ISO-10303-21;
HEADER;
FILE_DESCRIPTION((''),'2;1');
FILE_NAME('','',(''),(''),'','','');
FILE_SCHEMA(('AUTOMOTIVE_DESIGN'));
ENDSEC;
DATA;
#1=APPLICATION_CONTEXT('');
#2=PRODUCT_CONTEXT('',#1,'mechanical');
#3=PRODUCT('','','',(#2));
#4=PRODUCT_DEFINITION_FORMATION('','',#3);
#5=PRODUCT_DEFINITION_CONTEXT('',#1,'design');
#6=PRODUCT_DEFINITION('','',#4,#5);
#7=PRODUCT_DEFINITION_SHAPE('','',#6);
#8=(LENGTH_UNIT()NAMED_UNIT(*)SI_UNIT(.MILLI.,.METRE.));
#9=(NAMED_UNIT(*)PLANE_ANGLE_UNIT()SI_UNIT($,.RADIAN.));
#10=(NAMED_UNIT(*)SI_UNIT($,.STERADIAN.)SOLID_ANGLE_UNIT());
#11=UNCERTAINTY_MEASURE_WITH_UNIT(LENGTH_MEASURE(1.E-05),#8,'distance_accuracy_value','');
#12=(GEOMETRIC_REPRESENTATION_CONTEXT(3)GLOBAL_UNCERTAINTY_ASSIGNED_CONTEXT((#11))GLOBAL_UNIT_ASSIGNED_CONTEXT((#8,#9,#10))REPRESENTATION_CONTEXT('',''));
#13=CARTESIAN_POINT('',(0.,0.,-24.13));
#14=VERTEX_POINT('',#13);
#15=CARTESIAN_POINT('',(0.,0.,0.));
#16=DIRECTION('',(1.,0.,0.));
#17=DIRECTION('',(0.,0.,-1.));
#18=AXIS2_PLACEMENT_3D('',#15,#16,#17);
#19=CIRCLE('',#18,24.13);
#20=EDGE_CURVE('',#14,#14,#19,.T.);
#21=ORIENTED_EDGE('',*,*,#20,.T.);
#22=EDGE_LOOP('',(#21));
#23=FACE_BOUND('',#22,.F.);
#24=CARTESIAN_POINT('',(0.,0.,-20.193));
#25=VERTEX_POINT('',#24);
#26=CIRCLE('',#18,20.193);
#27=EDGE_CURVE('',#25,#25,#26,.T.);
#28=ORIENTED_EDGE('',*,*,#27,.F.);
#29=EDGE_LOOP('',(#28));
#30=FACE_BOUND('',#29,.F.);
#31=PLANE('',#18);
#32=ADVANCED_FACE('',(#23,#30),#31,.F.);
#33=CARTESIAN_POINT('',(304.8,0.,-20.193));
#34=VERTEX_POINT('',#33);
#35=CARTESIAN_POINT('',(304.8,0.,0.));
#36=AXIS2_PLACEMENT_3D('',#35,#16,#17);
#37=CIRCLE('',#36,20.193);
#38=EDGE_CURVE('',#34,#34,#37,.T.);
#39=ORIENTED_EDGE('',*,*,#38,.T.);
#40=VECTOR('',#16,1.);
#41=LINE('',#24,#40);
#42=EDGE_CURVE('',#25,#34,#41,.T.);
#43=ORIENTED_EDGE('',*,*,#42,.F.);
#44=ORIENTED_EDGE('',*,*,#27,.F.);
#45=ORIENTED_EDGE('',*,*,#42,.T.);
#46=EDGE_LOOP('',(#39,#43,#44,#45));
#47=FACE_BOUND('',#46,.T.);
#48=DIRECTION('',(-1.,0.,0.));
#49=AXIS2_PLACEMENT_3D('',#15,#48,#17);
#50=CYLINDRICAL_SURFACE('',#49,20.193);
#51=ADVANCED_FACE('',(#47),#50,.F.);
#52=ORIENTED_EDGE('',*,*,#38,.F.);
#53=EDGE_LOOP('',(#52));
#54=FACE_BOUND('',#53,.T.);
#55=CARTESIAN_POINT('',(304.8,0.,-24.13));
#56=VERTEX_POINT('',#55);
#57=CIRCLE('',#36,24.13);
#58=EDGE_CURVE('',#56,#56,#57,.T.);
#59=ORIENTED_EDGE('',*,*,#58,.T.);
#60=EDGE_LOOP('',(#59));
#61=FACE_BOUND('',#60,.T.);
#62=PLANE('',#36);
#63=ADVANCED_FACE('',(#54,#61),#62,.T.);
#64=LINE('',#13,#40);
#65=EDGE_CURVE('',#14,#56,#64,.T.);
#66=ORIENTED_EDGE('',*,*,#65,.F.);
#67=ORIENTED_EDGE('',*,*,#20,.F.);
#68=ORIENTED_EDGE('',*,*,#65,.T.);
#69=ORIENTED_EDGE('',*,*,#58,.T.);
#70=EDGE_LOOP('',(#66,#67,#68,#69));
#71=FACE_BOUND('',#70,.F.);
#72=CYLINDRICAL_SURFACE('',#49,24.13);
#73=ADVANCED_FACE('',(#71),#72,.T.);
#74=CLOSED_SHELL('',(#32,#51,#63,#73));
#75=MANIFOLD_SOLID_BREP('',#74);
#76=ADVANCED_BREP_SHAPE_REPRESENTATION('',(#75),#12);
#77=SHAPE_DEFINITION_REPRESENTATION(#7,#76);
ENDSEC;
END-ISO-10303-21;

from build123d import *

# Parameters (mm, degrees)
SKETCH1_R           = 24.13
SKETCH1_R_2         = 20.193
BOSS_EXTRUDE1_DEPTH = 304.8


with BuildPart() as part:
    # Sketch1 → Boss-Extrude1 (new body)
    with BuildSketch(Plane(origin=(0, 0, 0), x_dir=(0, 0, -1), z_dir=(1, 0, 0))):
        Circle(SKETCH1_R)
        Circle(SKETCH1_R_2, mode=Mode.SUBTRACT)
    extrude(amount=BOSS_EXTRUDE1_DEPTH)


solid = part.part
